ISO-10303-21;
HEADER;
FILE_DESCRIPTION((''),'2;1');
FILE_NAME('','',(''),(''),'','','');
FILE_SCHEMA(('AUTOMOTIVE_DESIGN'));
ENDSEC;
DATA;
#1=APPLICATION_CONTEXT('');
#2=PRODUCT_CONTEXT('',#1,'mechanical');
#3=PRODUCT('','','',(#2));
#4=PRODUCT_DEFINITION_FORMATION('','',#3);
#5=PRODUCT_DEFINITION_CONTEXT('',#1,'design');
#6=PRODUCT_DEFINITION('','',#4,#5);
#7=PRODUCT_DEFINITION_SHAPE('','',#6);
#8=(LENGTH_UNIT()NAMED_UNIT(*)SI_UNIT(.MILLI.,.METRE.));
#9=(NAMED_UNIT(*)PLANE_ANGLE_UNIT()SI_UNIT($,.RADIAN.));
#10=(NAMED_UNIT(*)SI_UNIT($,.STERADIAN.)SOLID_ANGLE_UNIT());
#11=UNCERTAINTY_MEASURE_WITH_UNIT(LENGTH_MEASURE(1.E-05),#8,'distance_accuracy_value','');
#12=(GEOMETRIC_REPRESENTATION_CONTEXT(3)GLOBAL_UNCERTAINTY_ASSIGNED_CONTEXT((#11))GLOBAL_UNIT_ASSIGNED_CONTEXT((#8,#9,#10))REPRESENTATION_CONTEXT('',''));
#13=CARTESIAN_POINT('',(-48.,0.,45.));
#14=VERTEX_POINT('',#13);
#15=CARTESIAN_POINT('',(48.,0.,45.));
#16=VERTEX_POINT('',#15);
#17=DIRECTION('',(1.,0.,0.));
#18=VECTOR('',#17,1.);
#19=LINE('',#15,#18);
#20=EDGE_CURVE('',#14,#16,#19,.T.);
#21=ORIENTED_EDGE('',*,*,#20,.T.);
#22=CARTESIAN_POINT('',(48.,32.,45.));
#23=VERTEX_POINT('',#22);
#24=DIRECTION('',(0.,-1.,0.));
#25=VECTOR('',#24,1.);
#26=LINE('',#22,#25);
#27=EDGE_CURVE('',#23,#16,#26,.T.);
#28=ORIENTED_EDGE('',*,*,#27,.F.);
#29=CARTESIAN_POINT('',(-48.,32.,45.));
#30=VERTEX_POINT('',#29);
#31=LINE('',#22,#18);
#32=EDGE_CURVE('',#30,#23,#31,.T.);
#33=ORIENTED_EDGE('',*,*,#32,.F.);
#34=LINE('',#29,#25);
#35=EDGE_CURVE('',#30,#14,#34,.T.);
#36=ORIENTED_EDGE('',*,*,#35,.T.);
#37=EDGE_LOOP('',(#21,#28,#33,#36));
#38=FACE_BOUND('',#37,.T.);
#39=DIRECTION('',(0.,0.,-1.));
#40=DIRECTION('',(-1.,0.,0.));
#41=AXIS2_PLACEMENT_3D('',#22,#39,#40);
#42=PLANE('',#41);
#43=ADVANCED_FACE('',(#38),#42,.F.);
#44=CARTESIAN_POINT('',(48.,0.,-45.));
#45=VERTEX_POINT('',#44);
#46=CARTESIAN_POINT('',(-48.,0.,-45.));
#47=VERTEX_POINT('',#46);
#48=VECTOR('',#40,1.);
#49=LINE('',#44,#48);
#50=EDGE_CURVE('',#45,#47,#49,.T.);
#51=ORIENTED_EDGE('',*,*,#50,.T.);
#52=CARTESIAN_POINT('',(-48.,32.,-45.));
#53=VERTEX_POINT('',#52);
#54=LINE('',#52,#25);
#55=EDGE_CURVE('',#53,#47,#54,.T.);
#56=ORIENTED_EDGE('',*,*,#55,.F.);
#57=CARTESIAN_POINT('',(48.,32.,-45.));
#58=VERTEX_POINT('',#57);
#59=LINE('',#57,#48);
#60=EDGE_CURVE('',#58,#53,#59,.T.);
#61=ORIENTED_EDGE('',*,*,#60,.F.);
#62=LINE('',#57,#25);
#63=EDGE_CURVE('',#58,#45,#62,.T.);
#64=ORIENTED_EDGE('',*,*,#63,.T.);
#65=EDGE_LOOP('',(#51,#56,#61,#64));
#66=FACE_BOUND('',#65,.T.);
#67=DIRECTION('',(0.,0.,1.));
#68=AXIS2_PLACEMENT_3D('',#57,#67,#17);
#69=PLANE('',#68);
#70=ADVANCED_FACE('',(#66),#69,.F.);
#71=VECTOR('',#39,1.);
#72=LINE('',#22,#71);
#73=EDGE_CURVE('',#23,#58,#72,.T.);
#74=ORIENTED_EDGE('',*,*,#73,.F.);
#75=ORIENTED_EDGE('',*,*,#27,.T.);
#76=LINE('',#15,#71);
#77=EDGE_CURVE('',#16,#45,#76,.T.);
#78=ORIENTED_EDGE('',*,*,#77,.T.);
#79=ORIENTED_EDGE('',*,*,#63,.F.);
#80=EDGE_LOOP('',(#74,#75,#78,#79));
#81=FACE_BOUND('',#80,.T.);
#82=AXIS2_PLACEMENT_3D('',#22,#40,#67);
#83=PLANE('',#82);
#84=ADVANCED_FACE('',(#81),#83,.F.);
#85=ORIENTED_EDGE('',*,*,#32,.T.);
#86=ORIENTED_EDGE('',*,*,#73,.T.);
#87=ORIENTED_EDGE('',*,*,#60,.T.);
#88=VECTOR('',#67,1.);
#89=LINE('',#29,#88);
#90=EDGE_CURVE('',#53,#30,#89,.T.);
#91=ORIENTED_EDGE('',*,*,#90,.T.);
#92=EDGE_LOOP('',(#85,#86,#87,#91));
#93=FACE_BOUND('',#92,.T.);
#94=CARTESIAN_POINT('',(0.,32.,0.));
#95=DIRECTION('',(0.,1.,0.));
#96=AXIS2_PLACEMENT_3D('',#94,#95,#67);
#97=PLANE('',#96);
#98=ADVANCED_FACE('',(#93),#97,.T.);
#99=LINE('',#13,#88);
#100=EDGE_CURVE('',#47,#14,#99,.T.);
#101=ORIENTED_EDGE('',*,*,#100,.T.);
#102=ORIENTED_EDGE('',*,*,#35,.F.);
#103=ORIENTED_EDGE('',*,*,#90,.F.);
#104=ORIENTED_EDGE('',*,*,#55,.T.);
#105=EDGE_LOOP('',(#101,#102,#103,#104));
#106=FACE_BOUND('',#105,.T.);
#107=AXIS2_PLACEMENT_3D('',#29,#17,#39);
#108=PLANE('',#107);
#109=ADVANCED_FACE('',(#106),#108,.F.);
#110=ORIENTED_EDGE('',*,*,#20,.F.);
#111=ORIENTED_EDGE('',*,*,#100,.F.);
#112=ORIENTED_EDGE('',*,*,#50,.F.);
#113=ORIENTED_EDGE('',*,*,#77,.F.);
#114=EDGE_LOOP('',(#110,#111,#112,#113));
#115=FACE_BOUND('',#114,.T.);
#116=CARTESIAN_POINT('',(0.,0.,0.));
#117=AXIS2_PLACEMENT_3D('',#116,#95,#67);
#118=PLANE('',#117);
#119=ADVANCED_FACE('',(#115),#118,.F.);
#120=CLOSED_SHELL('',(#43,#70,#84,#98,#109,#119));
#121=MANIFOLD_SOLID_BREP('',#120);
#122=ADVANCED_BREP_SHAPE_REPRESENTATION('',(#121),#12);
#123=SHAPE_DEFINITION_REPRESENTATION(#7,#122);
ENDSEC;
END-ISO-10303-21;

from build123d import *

# Parameters (mm, degrees)
SKETCH_1_W      = 96
SKETCH_1_H      = 90
EXTRUDE_1_DEPTH = 32


with BuildPart() as part:
    # Эскиз1 → Бобышка-Вытянуть1 (new body)
    with BuildSketch(Plane(origin=(0, 0, 0), x_dir=(1, 0, 0), z_dir=(0, 1, 0))):
        Rectangle(SKETCH_1_W, SKETCH_1_H)
    extrude(amount=EXTRUDE_1_DEPTH)


solid = part.part
